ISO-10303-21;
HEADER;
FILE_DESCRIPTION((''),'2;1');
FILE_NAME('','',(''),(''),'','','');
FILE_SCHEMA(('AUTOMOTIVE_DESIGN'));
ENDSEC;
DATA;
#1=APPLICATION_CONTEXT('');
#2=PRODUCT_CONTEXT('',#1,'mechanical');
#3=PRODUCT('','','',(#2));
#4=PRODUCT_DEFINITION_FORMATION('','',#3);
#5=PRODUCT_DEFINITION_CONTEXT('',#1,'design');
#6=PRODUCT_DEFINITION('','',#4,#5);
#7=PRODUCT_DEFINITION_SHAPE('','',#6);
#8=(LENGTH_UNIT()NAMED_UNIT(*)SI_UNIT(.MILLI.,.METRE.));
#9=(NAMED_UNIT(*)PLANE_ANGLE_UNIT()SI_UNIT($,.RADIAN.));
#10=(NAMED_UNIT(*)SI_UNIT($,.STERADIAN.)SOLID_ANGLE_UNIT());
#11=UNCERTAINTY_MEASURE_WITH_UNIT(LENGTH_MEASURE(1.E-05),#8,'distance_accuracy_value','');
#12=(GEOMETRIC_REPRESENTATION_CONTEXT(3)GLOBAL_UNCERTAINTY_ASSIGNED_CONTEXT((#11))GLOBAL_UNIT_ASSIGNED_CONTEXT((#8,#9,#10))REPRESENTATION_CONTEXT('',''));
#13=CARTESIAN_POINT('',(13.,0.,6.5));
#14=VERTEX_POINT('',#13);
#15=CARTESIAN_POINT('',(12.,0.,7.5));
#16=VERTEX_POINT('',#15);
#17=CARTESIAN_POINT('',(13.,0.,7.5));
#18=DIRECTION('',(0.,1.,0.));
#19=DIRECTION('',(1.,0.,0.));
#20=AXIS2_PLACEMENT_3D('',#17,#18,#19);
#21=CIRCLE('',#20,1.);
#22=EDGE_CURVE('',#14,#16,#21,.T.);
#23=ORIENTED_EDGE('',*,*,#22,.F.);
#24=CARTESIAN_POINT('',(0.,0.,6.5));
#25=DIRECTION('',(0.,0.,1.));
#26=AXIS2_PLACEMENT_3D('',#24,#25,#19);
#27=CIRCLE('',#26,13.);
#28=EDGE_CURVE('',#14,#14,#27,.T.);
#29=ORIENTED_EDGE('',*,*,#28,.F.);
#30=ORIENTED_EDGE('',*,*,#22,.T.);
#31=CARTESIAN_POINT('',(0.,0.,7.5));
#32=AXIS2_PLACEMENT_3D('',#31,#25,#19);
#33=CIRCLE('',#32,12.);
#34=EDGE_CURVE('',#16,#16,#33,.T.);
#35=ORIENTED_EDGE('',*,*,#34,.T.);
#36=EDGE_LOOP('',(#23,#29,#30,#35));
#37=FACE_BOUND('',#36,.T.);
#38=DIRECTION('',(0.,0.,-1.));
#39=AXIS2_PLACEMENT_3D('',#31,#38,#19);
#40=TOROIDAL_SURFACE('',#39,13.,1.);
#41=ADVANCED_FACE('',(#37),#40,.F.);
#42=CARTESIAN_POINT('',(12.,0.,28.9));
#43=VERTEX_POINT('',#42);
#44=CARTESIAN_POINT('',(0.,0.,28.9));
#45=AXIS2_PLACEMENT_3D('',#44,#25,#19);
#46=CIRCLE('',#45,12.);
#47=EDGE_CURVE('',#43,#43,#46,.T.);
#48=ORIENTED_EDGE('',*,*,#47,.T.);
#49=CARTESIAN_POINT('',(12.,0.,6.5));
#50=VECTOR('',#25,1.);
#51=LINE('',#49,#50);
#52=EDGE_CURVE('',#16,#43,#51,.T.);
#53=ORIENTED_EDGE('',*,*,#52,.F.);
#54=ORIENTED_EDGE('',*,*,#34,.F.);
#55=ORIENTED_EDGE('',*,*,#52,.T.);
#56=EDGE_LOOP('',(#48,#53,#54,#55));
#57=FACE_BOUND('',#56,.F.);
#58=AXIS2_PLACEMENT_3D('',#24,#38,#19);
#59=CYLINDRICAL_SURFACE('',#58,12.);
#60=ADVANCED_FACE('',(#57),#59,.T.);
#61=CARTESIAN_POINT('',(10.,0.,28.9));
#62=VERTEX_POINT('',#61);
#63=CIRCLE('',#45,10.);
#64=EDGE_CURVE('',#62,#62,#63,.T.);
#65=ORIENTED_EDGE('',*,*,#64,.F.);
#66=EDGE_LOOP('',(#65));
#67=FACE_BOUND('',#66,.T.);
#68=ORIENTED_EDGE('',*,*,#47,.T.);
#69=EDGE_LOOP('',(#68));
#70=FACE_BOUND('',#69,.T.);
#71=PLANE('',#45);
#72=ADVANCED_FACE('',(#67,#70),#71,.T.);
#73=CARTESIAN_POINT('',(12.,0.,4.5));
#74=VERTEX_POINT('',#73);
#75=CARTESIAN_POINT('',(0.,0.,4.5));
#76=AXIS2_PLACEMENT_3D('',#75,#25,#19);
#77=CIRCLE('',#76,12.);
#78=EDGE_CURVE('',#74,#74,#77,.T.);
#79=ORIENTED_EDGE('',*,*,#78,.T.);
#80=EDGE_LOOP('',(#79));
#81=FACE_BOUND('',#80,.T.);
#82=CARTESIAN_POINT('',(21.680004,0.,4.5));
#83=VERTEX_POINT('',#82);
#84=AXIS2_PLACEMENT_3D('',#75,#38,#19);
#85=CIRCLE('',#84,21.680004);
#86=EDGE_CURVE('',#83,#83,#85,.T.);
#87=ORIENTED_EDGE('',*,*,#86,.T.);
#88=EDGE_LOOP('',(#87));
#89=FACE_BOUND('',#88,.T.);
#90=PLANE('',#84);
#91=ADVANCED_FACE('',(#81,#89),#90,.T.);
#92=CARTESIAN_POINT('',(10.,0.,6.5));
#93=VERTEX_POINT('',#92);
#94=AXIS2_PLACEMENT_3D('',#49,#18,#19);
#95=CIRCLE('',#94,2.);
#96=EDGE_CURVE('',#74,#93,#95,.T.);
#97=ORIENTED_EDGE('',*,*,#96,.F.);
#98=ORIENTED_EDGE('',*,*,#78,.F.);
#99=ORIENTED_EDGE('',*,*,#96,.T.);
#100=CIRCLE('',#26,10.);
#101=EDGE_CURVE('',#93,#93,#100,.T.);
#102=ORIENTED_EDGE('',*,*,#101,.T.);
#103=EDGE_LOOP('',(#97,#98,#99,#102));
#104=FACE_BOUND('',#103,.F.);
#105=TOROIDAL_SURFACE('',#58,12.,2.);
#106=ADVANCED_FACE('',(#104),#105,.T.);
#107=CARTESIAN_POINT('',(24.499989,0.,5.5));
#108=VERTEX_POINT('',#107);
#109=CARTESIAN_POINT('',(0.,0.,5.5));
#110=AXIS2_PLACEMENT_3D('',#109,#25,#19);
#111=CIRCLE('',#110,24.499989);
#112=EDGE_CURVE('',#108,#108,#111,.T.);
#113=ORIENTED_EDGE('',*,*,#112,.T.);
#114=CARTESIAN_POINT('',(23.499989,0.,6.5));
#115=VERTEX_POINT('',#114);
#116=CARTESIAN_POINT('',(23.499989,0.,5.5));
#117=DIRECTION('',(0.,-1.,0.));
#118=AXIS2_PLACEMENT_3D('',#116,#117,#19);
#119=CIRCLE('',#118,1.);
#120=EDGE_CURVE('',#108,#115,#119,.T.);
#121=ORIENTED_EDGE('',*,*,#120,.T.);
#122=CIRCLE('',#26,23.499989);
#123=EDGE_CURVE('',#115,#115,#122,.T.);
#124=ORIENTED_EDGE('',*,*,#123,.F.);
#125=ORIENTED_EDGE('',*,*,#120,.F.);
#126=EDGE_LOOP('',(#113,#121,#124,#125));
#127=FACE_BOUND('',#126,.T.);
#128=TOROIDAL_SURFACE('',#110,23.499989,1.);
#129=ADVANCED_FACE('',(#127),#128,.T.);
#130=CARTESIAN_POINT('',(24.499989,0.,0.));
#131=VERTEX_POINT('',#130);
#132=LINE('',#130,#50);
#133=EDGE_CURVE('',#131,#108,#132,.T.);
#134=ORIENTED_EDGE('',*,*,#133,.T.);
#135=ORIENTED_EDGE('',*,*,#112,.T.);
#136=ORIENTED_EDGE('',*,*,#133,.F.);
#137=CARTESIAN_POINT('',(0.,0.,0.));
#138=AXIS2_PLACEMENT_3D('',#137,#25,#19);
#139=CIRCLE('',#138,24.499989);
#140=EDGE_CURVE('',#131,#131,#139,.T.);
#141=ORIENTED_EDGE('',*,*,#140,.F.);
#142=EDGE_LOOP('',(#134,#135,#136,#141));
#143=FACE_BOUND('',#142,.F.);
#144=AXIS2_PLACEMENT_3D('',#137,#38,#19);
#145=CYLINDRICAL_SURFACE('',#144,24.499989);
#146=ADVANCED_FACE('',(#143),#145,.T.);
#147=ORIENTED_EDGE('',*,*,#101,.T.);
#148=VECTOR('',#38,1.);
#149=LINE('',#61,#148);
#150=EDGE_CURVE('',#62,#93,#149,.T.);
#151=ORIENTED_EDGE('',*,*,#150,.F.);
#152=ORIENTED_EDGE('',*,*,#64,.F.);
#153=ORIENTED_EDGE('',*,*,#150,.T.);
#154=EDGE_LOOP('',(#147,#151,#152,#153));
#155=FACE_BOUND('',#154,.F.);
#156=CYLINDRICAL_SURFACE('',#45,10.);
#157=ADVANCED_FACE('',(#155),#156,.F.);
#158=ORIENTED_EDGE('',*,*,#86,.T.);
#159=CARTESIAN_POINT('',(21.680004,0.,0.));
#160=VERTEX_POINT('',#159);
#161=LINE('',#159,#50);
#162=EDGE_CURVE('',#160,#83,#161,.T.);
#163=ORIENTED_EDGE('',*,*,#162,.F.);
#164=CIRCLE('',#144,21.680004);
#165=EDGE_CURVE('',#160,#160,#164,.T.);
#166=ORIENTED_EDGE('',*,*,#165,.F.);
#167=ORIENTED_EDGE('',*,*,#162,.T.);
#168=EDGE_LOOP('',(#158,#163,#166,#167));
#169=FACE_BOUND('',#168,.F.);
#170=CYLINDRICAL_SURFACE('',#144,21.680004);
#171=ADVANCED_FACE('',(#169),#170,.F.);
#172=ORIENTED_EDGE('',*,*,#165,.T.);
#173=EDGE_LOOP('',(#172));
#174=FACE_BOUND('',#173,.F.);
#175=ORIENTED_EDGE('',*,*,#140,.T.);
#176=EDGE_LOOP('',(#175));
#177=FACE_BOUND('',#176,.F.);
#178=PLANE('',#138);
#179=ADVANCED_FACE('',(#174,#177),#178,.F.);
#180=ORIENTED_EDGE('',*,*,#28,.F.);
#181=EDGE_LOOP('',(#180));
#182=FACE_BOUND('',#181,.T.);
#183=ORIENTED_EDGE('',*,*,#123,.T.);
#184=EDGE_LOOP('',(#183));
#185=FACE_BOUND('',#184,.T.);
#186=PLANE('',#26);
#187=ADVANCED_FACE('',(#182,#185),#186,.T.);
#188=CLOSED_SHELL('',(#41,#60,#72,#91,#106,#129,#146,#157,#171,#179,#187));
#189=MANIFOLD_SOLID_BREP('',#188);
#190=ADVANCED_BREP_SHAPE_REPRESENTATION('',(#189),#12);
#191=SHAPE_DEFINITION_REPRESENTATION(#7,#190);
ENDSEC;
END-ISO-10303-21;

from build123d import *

# Parameters (mm, degrees)
SKETCH_R        = 24.499989
PAD_DEPTH       = 6.5
SKETCH001_R     = 12
PAD001_DEPTH    = 22.4
SKETCH002_R     = 10
POCKET_DEPTH    = 30
SKETCH003_R     = 21.680004
POCKET001_DEPTH = 4.5
FILLET_R        = 2
FILLET001_R     = 1
FILLET002_R     = 1


with BuildPart() as part:
    # Sketch → Pad (new body)
    with BuildSketch(Plane.XY):
        Circle(SKETCH_R)
    extrude(amount=PAD_DEPTH)

    # Sketch001 (on Face3 of Pad) → Pad001 (join)
    with BuildSketch(Plane.XY.offset(6.5)):
        Circle(SKETCH001_R)
    extrude(amount=PAD001_DEPTH)

    # Sketch002 (on Face5 of Pad001) → Pocket (cut)
    with BuildSketch(Plane.XY.offset(28.9)):
        Circle(SKETCH002_R)
    extrude(amount=-POCKET_DEPTH, mode=Mode.SUBTRACT)

    # Sketch003 (on Face2 of Pocket) → Pocket001 (cut)
    with BuildSketch(Plane(origin=(0, 0, 0), x_dir=(1, 0, 0), z_dir=(0, 0, -1))):
        Circle(SKETCH003_R)
    extrude(amount=-POCKET001_DEPTH, mode=Mode.SUBTRACT)

    # Fillet
    fillet_edges = [part.edges().sort_by_distance(p)[0] for p in [
        (-10, 0, 4.5),
    ]]
    fillet(fillet_edges, radius=FILLET_R)

    # Fillet001
    fillet001_edges = [part.edges().sort_by_distance(p)[0] for p in [
        (-24.499989, 0, 6.5),
    ]]
    fillet(fillet001_edges, radius=FILLET001_R)

    # Fillet002
    fillet002_edges = [part.edges().sort_by_distance(p)[0] for p in [
        (-12, 0, 6.5),
    ]]
    fillet(fillet002_edges, radius=FILLET002_R)


solid = part.part
